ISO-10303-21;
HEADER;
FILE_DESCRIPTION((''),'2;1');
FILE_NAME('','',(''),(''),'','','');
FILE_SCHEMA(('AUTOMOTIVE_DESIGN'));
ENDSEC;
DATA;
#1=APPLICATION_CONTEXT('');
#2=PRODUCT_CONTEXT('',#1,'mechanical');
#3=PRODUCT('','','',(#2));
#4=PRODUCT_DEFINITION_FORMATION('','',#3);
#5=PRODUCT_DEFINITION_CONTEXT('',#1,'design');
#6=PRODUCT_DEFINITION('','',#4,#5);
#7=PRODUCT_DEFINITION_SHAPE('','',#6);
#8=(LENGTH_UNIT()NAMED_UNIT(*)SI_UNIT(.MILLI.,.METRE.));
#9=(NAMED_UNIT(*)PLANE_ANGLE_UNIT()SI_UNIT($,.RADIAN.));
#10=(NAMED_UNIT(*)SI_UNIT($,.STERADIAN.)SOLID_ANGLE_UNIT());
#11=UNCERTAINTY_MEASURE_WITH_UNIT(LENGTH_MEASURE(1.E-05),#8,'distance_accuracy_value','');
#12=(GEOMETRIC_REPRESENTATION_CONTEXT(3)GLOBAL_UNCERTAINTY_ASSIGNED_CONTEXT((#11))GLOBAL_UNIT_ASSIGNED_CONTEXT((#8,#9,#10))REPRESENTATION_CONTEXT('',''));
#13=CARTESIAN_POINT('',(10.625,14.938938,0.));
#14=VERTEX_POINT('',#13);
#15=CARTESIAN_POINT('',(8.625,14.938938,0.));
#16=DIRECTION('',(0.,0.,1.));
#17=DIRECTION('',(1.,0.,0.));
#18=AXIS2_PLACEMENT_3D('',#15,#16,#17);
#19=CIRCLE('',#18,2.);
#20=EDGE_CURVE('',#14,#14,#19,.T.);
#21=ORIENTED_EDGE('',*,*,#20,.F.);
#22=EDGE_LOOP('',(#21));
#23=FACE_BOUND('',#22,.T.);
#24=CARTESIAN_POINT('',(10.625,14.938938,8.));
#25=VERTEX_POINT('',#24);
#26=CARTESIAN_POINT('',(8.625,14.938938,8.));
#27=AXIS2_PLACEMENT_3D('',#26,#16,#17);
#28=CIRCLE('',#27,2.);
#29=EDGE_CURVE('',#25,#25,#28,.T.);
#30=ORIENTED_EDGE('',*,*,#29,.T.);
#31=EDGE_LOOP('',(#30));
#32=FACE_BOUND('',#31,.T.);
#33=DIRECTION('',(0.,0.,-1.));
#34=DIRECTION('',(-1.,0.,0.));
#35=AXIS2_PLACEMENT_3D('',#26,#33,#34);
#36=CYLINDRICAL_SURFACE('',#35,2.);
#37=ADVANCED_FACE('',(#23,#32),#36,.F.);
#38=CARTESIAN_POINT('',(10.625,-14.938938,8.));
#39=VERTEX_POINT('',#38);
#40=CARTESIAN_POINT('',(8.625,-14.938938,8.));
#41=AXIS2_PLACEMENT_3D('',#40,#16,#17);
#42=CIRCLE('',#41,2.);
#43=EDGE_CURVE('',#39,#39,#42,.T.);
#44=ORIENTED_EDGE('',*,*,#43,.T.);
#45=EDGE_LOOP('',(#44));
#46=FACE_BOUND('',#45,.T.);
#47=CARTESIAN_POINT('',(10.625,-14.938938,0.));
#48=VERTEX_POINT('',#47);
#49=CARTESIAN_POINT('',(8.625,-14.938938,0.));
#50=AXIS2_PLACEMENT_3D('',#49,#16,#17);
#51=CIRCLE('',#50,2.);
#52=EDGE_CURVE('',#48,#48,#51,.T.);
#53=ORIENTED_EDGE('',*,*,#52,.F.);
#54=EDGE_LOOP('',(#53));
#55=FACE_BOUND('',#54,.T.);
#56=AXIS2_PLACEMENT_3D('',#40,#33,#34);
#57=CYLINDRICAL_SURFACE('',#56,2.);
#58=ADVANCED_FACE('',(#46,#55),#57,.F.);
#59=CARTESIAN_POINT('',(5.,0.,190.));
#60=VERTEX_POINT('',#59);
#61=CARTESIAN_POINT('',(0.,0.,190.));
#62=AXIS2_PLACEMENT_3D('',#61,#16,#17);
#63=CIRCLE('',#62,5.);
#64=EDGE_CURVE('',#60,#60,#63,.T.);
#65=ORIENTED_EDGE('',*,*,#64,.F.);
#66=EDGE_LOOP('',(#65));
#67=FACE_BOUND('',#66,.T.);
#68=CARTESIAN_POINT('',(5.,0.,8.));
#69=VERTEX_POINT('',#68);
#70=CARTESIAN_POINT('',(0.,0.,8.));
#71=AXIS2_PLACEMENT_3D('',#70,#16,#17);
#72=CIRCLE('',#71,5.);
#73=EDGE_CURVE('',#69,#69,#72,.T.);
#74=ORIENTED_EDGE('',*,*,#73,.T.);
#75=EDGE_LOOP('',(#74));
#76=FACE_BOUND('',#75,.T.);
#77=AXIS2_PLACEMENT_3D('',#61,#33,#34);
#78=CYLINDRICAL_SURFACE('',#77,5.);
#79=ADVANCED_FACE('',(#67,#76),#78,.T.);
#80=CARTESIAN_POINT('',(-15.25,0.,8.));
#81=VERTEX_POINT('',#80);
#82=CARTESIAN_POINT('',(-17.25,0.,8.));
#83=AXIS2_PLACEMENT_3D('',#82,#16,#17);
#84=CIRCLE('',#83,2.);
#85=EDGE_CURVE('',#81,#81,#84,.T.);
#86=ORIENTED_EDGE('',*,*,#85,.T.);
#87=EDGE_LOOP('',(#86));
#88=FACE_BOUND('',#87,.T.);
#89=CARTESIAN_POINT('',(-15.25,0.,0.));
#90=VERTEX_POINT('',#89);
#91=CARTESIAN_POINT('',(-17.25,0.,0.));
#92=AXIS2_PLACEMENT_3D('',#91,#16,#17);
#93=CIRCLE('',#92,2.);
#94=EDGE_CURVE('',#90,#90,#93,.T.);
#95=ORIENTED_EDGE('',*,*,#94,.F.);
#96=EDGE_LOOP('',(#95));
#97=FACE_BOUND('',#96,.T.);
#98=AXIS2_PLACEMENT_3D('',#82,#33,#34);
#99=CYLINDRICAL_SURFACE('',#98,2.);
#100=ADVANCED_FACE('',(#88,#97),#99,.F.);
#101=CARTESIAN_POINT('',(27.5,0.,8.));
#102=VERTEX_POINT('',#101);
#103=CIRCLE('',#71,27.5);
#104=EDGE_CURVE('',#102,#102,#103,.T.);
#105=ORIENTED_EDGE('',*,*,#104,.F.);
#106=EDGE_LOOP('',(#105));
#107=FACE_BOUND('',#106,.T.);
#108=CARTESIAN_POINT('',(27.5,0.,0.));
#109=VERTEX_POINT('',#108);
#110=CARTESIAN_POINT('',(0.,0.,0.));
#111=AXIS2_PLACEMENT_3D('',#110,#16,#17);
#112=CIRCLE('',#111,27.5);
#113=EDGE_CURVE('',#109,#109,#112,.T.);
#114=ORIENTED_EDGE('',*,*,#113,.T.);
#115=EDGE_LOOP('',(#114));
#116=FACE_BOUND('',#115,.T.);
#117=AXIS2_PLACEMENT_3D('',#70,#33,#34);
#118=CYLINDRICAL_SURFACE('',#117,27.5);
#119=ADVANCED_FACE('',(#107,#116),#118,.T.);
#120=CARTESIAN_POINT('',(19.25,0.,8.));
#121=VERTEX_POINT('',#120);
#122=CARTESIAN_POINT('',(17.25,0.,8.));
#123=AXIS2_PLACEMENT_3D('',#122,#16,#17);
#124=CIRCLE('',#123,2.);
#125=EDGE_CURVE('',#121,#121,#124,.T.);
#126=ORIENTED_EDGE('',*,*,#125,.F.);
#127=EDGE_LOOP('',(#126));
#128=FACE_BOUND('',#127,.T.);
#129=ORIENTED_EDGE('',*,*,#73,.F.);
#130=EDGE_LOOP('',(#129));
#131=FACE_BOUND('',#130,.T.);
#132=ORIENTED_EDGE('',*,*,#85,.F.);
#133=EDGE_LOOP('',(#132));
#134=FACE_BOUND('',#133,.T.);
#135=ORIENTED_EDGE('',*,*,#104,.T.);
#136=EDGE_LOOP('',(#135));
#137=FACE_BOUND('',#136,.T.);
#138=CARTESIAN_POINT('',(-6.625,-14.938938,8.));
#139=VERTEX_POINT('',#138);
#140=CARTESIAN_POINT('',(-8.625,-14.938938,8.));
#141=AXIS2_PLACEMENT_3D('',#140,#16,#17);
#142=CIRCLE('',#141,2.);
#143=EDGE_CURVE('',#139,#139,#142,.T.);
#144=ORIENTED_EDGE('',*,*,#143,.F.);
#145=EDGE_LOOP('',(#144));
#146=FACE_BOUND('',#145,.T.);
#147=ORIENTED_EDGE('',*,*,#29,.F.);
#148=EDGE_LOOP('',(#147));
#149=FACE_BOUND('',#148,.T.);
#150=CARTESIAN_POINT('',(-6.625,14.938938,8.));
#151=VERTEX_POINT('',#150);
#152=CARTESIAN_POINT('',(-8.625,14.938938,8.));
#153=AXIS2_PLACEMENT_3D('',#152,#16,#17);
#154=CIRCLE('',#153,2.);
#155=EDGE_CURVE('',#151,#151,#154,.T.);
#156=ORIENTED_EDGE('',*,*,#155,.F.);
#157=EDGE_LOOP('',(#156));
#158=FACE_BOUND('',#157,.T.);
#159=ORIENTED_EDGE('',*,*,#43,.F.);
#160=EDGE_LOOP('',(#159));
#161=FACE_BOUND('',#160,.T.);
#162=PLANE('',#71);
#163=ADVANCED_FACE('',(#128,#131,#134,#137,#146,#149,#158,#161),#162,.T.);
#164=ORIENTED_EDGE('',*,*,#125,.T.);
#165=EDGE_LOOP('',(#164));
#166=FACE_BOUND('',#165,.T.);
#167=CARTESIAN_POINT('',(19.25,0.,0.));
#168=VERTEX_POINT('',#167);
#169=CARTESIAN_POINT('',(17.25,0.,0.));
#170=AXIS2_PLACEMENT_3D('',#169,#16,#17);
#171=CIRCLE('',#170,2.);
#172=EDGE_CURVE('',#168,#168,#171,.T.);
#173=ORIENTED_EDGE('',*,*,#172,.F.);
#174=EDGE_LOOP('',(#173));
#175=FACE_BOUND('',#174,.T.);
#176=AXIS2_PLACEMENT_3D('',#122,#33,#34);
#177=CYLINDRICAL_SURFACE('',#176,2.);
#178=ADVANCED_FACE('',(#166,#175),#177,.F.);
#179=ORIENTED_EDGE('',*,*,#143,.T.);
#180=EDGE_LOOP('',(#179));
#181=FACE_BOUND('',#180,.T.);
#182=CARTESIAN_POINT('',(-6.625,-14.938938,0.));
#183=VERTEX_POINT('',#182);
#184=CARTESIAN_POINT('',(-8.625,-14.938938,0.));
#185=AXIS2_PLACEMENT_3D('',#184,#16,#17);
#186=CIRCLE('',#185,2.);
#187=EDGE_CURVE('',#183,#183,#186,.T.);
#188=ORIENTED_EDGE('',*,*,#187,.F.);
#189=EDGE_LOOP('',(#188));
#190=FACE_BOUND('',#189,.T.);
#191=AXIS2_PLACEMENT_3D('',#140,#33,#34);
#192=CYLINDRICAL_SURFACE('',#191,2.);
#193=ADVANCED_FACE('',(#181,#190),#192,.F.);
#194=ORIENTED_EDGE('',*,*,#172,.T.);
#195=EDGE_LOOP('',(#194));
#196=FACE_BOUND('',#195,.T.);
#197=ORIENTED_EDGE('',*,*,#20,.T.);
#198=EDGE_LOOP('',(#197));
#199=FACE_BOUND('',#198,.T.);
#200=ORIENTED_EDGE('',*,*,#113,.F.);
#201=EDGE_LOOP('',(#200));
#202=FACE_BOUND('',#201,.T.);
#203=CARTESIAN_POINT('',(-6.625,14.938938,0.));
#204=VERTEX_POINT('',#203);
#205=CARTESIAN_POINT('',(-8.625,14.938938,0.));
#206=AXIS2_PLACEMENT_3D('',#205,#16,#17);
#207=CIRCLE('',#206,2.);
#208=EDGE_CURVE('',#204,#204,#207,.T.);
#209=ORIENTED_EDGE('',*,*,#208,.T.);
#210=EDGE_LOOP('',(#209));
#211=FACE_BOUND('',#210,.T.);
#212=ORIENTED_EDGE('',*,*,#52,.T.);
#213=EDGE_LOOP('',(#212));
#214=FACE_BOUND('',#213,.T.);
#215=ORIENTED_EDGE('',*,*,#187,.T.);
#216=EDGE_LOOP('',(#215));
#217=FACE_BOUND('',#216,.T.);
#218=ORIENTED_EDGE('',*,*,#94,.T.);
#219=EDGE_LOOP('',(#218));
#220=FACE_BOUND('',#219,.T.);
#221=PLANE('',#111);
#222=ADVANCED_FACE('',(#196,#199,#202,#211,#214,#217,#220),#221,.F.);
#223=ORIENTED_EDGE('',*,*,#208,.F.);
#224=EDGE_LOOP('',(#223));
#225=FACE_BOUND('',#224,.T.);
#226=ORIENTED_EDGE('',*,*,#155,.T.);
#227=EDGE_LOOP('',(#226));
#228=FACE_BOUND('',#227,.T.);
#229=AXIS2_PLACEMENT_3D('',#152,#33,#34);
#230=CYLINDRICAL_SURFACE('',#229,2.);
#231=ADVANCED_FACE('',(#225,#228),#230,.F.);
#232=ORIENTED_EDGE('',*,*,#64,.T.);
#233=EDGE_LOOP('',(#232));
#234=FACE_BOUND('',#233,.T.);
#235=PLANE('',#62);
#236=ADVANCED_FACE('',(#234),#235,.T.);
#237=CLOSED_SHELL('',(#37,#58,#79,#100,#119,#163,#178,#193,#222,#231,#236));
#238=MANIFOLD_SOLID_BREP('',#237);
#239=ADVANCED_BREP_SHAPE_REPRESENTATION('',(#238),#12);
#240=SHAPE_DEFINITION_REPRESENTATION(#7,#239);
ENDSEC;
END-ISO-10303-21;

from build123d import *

# Parameters (mm, degrees)
SKETCH_1_R      = 27.5
SKETCH_1_R_2    = 2
EXTRUDE_1_DEPTH = 8
SKETCH_2_R      = 5
EXTRUDE_2_DEPTH = 182


with BuildPart() as part:
    # 草图1 → 凸台-拉伸1 (new body)
    with BuildSketch(Plane.XY):
        Circle(SKETCH_1_R)
        with Locations((-17.25, 0)):
            Circle(SKETCH_1_R_2, mode=Mode.SUBTRACT)
        with Locations((-8.625, 14.938938215)):
            Circle(SKETCH_1_R_2, mode=Mode.SUBTRACT)
        with Locations((8.625, 14.938938215)):
            Circle(SKETCH_1_R_2, mode=Mode.SUBTRACT)
        with Locations((17.25, 0)):
            Circle(SKETCH_1_R_2, mode=Mode.SUBTRACT)
        with Locations((8.625, -14.938938215)):
            Circle(SKETCH_1_R_2, mode=Mode.SUBTRACT)
        with Locations((-8.625, -14.938938215)):
            Circle(SKETCH_1_R_2, mode=Mode.SUBTRACT)
    extrude(amount=EXTRUDE_1_DEPTH)

    # 草图2 → 凸台-拉伸2 (add)
    with BuildSketch(Plane.XY.offset(8)):
        Circle(SKETCH_2_R)
    extrude(amount=EXTRUDE_2_DEPTH)


solid = part.part
